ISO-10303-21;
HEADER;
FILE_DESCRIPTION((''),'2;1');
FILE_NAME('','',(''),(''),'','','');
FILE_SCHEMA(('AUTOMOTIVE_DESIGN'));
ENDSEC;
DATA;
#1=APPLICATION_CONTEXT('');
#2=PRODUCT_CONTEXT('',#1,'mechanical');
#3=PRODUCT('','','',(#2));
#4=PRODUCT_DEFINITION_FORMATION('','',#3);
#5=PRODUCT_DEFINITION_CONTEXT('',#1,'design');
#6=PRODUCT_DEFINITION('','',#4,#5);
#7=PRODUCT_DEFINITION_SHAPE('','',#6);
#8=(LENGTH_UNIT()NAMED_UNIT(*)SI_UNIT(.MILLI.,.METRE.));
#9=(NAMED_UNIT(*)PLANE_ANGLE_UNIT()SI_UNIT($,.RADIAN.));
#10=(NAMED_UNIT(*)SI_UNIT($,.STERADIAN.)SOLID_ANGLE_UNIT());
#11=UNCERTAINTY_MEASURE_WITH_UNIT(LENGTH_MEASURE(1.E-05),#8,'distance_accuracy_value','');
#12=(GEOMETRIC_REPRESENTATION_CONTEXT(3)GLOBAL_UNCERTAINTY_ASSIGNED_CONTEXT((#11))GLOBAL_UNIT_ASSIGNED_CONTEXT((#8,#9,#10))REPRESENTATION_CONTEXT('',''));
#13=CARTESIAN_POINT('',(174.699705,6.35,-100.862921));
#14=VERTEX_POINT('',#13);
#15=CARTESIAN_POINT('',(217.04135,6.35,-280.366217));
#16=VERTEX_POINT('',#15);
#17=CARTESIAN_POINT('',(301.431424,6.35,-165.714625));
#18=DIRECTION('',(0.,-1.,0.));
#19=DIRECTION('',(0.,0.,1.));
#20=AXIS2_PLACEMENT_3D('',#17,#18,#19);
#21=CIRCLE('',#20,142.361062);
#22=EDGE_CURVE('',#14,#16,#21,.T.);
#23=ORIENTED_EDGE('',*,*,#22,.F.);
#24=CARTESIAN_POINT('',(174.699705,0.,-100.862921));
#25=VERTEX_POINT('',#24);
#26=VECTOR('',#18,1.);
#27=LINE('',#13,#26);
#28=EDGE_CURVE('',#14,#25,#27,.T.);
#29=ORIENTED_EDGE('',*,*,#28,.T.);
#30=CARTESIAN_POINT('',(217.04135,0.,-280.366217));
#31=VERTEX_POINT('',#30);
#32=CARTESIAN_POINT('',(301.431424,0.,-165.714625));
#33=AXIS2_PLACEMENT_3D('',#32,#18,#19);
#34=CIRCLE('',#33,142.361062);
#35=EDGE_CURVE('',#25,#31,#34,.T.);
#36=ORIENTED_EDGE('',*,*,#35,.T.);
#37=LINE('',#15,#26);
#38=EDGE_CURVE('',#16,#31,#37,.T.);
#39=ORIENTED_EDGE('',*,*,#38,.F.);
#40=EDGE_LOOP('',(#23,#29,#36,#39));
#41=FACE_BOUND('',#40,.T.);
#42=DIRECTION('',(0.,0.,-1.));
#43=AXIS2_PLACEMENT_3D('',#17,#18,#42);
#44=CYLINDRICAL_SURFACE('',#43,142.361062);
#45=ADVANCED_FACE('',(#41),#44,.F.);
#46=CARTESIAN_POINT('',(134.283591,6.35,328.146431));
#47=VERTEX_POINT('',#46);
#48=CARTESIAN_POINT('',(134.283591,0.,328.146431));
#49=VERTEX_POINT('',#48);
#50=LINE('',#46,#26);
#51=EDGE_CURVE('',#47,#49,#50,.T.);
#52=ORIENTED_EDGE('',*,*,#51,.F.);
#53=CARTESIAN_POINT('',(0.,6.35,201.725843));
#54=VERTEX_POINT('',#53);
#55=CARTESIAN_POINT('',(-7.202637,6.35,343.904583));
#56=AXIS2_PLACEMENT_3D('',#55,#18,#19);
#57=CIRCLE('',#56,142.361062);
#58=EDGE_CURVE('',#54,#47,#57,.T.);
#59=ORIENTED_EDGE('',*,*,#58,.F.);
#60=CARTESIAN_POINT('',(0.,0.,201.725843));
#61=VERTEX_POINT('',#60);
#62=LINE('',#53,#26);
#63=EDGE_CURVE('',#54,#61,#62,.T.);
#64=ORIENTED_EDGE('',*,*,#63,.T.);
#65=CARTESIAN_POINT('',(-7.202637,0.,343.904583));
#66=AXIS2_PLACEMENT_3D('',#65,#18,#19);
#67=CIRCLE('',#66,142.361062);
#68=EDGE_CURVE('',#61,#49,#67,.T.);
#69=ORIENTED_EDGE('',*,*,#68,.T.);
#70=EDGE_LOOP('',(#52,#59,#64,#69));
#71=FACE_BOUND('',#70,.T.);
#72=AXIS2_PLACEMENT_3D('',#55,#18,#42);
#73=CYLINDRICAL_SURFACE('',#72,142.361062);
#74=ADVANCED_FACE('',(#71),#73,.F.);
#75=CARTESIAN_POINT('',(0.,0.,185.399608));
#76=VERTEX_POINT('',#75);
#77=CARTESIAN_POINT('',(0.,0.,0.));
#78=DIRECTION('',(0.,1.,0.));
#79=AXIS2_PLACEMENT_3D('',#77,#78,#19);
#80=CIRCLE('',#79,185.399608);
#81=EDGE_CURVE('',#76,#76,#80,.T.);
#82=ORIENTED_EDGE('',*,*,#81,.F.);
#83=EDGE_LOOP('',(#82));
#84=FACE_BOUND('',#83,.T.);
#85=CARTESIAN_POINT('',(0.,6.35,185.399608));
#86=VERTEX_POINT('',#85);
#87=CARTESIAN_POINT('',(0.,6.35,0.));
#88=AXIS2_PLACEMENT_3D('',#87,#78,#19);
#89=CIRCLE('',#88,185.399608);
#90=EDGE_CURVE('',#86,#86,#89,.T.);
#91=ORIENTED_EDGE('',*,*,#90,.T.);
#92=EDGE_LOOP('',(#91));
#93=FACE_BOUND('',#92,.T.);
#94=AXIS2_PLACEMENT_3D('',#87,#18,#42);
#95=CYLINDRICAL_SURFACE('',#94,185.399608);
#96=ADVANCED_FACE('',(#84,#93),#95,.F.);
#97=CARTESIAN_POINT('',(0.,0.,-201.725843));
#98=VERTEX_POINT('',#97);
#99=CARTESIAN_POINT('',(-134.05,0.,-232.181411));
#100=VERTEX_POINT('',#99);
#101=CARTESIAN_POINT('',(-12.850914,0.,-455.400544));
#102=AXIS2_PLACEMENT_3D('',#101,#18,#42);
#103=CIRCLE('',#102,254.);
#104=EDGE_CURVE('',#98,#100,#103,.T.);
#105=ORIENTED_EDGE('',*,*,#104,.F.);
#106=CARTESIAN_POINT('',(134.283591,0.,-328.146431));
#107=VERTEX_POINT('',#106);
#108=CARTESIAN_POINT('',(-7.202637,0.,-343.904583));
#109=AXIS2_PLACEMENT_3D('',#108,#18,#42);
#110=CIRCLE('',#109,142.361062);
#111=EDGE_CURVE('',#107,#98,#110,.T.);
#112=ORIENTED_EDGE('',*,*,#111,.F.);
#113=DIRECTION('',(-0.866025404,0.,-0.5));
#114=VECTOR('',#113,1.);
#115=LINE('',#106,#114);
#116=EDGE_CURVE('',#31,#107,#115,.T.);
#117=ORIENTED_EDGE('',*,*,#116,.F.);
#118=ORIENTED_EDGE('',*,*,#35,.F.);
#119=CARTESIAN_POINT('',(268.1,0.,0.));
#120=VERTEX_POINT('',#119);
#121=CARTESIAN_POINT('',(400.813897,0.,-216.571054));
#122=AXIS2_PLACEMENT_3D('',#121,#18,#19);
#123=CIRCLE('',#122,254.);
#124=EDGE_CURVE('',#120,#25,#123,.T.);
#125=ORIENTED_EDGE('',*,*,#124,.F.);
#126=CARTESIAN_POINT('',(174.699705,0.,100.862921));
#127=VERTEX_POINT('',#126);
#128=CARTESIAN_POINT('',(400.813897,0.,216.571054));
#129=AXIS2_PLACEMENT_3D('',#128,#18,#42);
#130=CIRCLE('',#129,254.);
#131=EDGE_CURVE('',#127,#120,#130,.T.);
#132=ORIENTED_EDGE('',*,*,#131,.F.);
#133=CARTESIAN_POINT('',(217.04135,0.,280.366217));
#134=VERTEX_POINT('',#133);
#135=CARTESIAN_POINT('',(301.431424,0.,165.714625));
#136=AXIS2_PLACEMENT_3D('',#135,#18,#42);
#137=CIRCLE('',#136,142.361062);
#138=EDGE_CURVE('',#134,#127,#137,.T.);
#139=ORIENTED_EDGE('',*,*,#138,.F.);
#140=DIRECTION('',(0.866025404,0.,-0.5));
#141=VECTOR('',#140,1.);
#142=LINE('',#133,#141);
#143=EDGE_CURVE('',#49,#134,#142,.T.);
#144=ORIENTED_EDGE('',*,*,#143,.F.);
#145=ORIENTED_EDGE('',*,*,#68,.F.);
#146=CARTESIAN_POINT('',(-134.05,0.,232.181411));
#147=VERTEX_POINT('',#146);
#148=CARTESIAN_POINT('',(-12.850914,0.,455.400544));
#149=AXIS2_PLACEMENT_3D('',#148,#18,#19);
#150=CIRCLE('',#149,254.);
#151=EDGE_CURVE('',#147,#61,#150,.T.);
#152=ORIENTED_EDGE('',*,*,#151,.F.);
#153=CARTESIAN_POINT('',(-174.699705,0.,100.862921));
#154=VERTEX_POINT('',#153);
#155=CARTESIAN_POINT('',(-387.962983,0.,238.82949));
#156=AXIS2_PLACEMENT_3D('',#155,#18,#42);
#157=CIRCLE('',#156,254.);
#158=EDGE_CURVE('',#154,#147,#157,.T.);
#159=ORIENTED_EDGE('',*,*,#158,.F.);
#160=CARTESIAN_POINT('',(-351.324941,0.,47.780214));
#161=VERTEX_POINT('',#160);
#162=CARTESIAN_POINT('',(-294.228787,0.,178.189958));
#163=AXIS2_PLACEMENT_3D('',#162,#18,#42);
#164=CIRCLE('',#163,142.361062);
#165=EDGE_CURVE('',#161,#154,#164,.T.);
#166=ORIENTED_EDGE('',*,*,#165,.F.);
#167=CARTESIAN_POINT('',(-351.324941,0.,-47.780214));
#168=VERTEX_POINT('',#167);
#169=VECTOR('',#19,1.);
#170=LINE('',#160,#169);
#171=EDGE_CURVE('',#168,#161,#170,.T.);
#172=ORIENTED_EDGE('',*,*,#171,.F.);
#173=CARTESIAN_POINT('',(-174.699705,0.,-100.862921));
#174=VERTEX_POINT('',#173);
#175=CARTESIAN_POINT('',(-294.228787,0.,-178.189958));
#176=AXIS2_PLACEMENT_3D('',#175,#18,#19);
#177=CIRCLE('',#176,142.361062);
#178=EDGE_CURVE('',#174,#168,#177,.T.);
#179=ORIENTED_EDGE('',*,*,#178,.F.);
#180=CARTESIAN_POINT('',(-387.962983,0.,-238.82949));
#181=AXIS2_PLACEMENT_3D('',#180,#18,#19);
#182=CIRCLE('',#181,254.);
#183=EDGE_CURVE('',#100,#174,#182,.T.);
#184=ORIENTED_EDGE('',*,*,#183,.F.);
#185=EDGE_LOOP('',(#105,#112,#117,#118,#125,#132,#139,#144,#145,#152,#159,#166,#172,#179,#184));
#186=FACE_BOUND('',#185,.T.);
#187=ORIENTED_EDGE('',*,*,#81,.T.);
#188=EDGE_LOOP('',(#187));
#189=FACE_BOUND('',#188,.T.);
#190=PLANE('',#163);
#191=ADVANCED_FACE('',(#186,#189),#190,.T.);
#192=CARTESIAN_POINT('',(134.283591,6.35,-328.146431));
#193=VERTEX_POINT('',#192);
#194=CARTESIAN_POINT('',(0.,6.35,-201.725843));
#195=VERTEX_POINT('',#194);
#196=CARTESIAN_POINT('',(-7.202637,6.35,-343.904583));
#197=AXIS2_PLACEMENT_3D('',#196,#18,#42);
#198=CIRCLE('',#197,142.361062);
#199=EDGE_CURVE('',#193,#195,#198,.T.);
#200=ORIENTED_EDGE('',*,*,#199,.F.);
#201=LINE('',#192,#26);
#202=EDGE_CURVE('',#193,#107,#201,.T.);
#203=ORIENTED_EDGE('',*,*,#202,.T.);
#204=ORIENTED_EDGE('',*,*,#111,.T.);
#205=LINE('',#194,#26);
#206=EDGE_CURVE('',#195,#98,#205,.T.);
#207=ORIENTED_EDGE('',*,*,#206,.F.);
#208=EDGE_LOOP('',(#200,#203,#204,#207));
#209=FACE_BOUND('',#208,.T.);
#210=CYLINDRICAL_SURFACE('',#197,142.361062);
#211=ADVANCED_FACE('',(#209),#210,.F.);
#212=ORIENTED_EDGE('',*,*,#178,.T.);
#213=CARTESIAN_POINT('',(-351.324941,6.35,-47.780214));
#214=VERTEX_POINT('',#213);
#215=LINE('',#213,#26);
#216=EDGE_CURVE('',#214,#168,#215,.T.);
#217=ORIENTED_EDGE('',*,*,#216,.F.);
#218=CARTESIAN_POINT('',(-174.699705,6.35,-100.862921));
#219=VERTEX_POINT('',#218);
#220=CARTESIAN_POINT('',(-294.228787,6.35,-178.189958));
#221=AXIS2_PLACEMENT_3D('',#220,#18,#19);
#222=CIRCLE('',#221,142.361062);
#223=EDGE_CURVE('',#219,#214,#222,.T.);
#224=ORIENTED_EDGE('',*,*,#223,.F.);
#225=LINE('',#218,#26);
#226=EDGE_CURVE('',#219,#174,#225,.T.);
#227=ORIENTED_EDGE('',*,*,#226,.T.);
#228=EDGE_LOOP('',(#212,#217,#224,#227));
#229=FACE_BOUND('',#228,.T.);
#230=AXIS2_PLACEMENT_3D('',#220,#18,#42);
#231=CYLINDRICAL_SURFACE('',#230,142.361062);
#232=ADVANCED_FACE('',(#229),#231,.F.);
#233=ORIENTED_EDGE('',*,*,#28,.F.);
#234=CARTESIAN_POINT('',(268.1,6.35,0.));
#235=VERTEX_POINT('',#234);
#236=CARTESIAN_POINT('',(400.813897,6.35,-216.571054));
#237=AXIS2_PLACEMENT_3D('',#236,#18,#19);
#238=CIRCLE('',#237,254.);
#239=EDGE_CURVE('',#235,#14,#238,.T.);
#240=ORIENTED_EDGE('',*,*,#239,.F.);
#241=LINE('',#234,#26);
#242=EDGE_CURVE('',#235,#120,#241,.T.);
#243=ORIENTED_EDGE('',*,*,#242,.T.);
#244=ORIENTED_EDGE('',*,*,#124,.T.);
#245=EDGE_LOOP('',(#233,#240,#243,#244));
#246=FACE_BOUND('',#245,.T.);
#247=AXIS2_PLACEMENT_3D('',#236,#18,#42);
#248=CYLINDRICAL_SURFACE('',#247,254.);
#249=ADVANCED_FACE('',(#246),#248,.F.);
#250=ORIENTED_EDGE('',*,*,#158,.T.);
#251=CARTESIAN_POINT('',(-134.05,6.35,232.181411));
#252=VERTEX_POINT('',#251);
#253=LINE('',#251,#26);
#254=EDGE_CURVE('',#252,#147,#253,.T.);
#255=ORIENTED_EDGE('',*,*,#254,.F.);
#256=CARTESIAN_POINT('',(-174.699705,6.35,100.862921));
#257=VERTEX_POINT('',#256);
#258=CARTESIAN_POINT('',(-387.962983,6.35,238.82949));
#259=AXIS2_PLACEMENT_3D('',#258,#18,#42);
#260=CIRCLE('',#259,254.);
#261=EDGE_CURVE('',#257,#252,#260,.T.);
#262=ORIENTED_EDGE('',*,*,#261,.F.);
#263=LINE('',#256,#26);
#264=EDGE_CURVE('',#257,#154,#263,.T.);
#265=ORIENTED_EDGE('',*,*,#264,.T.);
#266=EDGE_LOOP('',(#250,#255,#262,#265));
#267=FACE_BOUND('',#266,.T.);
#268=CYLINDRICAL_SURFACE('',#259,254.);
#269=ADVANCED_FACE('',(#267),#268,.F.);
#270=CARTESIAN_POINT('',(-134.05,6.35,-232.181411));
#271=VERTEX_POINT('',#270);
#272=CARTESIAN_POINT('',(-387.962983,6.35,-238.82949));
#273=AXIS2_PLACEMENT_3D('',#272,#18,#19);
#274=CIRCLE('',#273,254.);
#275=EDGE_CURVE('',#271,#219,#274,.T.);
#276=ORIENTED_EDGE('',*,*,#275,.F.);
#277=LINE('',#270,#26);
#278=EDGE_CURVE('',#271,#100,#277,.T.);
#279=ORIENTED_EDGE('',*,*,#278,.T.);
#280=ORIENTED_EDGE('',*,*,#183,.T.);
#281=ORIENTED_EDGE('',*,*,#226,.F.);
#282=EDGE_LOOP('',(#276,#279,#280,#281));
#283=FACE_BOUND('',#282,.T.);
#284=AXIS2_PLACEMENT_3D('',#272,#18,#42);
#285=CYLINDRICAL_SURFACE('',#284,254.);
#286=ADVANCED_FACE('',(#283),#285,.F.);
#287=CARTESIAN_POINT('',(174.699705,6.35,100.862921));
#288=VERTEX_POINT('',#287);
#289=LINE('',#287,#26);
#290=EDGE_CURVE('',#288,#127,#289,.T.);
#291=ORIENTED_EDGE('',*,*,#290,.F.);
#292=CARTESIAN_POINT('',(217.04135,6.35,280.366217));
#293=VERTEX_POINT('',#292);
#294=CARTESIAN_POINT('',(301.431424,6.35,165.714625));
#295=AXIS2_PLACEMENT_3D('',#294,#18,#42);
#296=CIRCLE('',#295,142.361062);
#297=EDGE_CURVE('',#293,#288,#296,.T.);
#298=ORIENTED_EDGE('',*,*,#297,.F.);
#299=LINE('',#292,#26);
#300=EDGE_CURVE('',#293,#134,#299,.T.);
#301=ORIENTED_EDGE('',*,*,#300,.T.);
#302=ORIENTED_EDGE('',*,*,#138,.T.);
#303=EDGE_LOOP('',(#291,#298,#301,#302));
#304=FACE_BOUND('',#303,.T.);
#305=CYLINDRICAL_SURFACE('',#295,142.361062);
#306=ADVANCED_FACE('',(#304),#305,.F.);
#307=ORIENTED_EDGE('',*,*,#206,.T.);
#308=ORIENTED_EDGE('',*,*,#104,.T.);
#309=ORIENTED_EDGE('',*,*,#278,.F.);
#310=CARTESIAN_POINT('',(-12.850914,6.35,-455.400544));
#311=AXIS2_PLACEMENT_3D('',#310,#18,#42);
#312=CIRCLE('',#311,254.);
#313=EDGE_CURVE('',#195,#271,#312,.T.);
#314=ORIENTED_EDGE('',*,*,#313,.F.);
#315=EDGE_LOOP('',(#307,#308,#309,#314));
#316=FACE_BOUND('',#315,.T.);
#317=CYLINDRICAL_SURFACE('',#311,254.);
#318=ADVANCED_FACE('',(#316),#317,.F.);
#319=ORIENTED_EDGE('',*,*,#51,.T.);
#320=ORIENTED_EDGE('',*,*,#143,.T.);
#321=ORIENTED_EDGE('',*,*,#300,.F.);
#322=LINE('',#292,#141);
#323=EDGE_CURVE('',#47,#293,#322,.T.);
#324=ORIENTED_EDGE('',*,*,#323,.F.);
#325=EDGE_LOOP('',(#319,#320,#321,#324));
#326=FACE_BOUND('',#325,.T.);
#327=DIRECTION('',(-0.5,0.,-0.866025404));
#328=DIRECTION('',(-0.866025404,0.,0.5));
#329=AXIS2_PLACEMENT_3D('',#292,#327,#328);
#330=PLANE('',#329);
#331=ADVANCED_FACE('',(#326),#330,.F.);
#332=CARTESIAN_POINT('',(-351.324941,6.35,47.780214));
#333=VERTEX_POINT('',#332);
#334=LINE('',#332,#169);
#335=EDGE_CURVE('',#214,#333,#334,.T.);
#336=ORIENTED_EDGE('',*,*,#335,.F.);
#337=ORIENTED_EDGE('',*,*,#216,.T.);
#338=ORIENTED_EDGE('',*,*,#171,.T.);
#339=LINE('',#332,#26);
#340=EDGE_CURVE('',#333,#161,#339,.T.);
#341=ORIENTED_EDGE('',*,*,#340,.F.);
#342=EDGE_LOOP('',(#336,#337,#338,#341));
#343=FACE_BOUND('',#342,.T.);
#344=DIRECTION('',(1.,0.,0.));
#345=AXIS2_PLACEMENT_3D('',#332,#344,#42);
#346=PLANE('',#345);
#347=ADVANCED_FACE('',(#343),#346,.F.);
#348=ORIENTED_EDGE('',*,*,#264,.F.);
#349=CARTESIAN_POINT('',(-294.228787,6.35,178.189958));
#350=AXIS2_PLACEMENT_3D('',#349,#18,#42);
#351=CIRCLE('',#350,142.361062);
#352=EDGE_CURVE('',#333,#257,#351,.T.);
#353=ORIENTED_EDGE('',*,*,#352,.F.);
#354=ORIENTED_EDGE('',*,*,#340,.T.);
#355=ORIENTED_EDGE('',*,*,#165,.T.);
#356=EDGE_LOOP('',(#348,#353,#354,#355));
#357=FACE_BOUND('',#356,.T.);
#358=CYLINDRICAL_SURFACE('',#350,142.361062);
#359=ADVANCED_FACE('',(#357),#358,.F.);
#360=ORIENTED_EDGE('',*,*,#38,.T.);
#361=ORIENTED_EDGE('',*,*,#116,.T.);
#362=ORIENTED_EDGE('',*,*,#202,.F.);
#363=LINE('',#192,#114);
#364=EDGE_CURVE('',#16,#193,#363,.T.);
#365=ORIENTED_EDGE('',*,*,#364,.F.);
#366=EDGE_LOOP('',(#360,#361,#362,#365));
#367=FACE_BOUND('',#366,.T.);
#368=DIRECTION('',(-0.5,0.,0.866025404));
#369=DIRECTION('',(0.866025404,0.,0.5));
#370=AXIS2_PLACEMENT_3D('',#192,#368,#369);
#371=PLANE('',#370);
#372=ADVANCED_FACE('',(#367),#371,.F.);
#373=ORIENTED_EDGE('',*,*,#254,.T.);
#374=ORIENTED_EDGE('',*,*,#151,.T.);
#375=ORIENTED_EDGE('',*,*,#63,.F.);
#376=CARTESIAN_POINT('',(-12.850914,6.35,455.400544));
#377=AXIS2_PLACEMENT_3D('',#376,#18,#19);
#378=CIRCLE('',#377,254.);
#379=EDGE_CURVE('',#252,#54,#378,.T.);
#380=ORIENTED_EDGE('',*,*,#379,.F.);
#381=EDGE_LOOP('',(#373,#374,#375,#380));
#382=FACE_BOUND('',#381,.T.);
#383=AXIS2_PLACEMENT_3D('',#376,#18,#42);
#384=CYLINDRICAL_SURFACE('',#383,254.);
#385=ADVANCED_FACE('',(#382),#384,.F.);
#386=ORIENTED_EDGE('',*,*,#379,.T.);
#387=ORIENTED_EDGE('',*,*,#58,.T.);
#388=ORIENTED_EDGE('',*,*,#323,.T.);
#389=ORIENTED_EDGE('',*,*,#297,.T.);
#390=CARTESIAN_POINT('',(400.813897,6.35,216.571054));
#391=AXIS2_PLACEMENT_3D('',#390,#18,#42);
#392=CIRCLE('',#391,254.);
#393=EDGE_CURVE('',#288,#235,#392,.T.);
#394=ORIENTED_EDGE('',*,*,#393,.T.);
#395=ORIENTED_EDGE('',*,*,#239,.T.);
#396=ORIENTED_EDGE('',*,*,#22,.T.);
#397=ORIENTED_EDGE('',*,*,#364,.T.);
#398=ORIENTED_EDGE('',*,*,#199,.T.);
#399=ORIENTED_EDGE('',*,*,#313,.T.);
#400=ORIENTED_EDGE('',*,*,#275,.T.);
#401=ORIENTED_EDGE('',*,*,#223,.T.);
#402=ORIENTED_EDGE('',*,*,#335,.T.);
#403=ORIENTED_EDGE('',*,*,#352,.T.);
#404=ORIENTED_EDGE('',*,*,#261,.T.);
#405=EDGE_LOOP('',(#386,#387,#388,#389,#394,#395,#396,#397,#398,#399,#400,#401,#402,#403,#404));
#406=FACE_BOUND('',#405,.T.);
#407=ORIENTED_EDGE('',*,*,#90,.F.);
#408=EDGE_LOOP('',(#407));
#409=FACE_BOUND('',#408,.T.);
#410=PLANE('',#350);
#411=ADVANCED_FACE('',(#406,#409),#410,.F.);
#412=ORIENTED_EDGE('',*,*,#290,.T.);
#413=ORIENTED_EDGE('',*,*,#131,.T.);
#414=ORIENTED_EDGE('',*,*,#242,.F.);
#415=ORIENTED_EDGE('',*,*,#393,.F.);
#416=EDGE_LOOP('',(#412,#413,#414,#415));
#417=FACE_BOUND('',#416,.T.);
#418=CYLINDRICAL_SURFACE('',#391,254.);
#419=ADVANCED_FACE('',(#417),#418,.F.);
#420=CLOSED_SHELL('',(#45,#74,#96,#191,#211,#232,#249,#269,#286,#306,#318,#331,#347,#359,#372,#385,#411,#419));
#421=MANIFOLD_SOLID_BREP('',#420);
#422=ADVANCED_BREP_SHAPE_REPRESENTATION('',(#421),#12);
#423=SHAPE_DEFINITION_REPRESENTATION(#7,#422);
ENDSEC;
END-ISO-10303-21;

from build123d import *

# Parameters (mm, degrees)
SKETCH1_R           = 185.399607796
BOSS_EXTRUDE1_DEPTH = 6.35


with BuildPart() as part:
    # Sketch1 → Boss-Extrude1 (new body)
    with BuildSketch(Plane(origin=(0, 0, 0), x_dir=(1, 0, 0), z_dir=(0, 1, 0))):
        with BuildLine():
            Line((-351.324940876, -47.780214023), (-351.324940876, 47.780214023))
            ThreePointArc((-351.324940876, 47.780214023), (-253.254269273, 41.853018609), (-174.699704526, 100.862921435))
            ThreePointArc((-174.699704526, 100.862921435), (-145.322196596, 163.719911973), (-134.05, 232.181410755))
            ThreePointArc((-134.05, 232.181410755), (-69.124504576, 207.712669972), (0, 201.72584287))
            ThreePointArc((0, 201.72584287), (90.381357296, 240.251140111), (134.283591296, 328.146430793))
            Line((134.283591296, 328.146430793), (217.04134958, 280.366216771))
            ThreePointArc((217.04134958, 280.366216771), (162.872911977, 198.398121503), (174.699704526, 100.862921435))
            ThreePointArc((174.699704526, 100.862921435), (214.446701172, 43.992758), (268.1, 0))
            ThreePointArc((268.1, 0), (214.446701172, -43.992758), (174.699704526, -100.862921435))
            ThreePointArc((174.699704526, -100.862921435), (162.872911977, -198.398121503), (217.04134958, -280.366216771))
            Line((217.04134958, -280.366216771), (134.283591296, -328.146430793))
            ThreePointArc((134.283591296, -328.146430793), (90.381357296, -240.251140111), (0, -201.72584287))
            ThreePointArc((0, -201.72584287), (-69.124504576, -207.712669972), (-134.05, -232.181410755))
            ThreePointArc((-134.05, -232.181410755), (-145.322196596, -163.719911973), (-174.699704526, -100.862921435))
            ThreePointArc((-174.699704526, -100.862921435), (-253.254269273, -41.853018609), (-351.324940876, -47.780214023))
        make_face()
        Circle(SKETCH1_R, mode=Mode.SUBTRACT)
    extrude(amount=BOSS_EXTRUDE1_DEPTH)


solid = part.part
